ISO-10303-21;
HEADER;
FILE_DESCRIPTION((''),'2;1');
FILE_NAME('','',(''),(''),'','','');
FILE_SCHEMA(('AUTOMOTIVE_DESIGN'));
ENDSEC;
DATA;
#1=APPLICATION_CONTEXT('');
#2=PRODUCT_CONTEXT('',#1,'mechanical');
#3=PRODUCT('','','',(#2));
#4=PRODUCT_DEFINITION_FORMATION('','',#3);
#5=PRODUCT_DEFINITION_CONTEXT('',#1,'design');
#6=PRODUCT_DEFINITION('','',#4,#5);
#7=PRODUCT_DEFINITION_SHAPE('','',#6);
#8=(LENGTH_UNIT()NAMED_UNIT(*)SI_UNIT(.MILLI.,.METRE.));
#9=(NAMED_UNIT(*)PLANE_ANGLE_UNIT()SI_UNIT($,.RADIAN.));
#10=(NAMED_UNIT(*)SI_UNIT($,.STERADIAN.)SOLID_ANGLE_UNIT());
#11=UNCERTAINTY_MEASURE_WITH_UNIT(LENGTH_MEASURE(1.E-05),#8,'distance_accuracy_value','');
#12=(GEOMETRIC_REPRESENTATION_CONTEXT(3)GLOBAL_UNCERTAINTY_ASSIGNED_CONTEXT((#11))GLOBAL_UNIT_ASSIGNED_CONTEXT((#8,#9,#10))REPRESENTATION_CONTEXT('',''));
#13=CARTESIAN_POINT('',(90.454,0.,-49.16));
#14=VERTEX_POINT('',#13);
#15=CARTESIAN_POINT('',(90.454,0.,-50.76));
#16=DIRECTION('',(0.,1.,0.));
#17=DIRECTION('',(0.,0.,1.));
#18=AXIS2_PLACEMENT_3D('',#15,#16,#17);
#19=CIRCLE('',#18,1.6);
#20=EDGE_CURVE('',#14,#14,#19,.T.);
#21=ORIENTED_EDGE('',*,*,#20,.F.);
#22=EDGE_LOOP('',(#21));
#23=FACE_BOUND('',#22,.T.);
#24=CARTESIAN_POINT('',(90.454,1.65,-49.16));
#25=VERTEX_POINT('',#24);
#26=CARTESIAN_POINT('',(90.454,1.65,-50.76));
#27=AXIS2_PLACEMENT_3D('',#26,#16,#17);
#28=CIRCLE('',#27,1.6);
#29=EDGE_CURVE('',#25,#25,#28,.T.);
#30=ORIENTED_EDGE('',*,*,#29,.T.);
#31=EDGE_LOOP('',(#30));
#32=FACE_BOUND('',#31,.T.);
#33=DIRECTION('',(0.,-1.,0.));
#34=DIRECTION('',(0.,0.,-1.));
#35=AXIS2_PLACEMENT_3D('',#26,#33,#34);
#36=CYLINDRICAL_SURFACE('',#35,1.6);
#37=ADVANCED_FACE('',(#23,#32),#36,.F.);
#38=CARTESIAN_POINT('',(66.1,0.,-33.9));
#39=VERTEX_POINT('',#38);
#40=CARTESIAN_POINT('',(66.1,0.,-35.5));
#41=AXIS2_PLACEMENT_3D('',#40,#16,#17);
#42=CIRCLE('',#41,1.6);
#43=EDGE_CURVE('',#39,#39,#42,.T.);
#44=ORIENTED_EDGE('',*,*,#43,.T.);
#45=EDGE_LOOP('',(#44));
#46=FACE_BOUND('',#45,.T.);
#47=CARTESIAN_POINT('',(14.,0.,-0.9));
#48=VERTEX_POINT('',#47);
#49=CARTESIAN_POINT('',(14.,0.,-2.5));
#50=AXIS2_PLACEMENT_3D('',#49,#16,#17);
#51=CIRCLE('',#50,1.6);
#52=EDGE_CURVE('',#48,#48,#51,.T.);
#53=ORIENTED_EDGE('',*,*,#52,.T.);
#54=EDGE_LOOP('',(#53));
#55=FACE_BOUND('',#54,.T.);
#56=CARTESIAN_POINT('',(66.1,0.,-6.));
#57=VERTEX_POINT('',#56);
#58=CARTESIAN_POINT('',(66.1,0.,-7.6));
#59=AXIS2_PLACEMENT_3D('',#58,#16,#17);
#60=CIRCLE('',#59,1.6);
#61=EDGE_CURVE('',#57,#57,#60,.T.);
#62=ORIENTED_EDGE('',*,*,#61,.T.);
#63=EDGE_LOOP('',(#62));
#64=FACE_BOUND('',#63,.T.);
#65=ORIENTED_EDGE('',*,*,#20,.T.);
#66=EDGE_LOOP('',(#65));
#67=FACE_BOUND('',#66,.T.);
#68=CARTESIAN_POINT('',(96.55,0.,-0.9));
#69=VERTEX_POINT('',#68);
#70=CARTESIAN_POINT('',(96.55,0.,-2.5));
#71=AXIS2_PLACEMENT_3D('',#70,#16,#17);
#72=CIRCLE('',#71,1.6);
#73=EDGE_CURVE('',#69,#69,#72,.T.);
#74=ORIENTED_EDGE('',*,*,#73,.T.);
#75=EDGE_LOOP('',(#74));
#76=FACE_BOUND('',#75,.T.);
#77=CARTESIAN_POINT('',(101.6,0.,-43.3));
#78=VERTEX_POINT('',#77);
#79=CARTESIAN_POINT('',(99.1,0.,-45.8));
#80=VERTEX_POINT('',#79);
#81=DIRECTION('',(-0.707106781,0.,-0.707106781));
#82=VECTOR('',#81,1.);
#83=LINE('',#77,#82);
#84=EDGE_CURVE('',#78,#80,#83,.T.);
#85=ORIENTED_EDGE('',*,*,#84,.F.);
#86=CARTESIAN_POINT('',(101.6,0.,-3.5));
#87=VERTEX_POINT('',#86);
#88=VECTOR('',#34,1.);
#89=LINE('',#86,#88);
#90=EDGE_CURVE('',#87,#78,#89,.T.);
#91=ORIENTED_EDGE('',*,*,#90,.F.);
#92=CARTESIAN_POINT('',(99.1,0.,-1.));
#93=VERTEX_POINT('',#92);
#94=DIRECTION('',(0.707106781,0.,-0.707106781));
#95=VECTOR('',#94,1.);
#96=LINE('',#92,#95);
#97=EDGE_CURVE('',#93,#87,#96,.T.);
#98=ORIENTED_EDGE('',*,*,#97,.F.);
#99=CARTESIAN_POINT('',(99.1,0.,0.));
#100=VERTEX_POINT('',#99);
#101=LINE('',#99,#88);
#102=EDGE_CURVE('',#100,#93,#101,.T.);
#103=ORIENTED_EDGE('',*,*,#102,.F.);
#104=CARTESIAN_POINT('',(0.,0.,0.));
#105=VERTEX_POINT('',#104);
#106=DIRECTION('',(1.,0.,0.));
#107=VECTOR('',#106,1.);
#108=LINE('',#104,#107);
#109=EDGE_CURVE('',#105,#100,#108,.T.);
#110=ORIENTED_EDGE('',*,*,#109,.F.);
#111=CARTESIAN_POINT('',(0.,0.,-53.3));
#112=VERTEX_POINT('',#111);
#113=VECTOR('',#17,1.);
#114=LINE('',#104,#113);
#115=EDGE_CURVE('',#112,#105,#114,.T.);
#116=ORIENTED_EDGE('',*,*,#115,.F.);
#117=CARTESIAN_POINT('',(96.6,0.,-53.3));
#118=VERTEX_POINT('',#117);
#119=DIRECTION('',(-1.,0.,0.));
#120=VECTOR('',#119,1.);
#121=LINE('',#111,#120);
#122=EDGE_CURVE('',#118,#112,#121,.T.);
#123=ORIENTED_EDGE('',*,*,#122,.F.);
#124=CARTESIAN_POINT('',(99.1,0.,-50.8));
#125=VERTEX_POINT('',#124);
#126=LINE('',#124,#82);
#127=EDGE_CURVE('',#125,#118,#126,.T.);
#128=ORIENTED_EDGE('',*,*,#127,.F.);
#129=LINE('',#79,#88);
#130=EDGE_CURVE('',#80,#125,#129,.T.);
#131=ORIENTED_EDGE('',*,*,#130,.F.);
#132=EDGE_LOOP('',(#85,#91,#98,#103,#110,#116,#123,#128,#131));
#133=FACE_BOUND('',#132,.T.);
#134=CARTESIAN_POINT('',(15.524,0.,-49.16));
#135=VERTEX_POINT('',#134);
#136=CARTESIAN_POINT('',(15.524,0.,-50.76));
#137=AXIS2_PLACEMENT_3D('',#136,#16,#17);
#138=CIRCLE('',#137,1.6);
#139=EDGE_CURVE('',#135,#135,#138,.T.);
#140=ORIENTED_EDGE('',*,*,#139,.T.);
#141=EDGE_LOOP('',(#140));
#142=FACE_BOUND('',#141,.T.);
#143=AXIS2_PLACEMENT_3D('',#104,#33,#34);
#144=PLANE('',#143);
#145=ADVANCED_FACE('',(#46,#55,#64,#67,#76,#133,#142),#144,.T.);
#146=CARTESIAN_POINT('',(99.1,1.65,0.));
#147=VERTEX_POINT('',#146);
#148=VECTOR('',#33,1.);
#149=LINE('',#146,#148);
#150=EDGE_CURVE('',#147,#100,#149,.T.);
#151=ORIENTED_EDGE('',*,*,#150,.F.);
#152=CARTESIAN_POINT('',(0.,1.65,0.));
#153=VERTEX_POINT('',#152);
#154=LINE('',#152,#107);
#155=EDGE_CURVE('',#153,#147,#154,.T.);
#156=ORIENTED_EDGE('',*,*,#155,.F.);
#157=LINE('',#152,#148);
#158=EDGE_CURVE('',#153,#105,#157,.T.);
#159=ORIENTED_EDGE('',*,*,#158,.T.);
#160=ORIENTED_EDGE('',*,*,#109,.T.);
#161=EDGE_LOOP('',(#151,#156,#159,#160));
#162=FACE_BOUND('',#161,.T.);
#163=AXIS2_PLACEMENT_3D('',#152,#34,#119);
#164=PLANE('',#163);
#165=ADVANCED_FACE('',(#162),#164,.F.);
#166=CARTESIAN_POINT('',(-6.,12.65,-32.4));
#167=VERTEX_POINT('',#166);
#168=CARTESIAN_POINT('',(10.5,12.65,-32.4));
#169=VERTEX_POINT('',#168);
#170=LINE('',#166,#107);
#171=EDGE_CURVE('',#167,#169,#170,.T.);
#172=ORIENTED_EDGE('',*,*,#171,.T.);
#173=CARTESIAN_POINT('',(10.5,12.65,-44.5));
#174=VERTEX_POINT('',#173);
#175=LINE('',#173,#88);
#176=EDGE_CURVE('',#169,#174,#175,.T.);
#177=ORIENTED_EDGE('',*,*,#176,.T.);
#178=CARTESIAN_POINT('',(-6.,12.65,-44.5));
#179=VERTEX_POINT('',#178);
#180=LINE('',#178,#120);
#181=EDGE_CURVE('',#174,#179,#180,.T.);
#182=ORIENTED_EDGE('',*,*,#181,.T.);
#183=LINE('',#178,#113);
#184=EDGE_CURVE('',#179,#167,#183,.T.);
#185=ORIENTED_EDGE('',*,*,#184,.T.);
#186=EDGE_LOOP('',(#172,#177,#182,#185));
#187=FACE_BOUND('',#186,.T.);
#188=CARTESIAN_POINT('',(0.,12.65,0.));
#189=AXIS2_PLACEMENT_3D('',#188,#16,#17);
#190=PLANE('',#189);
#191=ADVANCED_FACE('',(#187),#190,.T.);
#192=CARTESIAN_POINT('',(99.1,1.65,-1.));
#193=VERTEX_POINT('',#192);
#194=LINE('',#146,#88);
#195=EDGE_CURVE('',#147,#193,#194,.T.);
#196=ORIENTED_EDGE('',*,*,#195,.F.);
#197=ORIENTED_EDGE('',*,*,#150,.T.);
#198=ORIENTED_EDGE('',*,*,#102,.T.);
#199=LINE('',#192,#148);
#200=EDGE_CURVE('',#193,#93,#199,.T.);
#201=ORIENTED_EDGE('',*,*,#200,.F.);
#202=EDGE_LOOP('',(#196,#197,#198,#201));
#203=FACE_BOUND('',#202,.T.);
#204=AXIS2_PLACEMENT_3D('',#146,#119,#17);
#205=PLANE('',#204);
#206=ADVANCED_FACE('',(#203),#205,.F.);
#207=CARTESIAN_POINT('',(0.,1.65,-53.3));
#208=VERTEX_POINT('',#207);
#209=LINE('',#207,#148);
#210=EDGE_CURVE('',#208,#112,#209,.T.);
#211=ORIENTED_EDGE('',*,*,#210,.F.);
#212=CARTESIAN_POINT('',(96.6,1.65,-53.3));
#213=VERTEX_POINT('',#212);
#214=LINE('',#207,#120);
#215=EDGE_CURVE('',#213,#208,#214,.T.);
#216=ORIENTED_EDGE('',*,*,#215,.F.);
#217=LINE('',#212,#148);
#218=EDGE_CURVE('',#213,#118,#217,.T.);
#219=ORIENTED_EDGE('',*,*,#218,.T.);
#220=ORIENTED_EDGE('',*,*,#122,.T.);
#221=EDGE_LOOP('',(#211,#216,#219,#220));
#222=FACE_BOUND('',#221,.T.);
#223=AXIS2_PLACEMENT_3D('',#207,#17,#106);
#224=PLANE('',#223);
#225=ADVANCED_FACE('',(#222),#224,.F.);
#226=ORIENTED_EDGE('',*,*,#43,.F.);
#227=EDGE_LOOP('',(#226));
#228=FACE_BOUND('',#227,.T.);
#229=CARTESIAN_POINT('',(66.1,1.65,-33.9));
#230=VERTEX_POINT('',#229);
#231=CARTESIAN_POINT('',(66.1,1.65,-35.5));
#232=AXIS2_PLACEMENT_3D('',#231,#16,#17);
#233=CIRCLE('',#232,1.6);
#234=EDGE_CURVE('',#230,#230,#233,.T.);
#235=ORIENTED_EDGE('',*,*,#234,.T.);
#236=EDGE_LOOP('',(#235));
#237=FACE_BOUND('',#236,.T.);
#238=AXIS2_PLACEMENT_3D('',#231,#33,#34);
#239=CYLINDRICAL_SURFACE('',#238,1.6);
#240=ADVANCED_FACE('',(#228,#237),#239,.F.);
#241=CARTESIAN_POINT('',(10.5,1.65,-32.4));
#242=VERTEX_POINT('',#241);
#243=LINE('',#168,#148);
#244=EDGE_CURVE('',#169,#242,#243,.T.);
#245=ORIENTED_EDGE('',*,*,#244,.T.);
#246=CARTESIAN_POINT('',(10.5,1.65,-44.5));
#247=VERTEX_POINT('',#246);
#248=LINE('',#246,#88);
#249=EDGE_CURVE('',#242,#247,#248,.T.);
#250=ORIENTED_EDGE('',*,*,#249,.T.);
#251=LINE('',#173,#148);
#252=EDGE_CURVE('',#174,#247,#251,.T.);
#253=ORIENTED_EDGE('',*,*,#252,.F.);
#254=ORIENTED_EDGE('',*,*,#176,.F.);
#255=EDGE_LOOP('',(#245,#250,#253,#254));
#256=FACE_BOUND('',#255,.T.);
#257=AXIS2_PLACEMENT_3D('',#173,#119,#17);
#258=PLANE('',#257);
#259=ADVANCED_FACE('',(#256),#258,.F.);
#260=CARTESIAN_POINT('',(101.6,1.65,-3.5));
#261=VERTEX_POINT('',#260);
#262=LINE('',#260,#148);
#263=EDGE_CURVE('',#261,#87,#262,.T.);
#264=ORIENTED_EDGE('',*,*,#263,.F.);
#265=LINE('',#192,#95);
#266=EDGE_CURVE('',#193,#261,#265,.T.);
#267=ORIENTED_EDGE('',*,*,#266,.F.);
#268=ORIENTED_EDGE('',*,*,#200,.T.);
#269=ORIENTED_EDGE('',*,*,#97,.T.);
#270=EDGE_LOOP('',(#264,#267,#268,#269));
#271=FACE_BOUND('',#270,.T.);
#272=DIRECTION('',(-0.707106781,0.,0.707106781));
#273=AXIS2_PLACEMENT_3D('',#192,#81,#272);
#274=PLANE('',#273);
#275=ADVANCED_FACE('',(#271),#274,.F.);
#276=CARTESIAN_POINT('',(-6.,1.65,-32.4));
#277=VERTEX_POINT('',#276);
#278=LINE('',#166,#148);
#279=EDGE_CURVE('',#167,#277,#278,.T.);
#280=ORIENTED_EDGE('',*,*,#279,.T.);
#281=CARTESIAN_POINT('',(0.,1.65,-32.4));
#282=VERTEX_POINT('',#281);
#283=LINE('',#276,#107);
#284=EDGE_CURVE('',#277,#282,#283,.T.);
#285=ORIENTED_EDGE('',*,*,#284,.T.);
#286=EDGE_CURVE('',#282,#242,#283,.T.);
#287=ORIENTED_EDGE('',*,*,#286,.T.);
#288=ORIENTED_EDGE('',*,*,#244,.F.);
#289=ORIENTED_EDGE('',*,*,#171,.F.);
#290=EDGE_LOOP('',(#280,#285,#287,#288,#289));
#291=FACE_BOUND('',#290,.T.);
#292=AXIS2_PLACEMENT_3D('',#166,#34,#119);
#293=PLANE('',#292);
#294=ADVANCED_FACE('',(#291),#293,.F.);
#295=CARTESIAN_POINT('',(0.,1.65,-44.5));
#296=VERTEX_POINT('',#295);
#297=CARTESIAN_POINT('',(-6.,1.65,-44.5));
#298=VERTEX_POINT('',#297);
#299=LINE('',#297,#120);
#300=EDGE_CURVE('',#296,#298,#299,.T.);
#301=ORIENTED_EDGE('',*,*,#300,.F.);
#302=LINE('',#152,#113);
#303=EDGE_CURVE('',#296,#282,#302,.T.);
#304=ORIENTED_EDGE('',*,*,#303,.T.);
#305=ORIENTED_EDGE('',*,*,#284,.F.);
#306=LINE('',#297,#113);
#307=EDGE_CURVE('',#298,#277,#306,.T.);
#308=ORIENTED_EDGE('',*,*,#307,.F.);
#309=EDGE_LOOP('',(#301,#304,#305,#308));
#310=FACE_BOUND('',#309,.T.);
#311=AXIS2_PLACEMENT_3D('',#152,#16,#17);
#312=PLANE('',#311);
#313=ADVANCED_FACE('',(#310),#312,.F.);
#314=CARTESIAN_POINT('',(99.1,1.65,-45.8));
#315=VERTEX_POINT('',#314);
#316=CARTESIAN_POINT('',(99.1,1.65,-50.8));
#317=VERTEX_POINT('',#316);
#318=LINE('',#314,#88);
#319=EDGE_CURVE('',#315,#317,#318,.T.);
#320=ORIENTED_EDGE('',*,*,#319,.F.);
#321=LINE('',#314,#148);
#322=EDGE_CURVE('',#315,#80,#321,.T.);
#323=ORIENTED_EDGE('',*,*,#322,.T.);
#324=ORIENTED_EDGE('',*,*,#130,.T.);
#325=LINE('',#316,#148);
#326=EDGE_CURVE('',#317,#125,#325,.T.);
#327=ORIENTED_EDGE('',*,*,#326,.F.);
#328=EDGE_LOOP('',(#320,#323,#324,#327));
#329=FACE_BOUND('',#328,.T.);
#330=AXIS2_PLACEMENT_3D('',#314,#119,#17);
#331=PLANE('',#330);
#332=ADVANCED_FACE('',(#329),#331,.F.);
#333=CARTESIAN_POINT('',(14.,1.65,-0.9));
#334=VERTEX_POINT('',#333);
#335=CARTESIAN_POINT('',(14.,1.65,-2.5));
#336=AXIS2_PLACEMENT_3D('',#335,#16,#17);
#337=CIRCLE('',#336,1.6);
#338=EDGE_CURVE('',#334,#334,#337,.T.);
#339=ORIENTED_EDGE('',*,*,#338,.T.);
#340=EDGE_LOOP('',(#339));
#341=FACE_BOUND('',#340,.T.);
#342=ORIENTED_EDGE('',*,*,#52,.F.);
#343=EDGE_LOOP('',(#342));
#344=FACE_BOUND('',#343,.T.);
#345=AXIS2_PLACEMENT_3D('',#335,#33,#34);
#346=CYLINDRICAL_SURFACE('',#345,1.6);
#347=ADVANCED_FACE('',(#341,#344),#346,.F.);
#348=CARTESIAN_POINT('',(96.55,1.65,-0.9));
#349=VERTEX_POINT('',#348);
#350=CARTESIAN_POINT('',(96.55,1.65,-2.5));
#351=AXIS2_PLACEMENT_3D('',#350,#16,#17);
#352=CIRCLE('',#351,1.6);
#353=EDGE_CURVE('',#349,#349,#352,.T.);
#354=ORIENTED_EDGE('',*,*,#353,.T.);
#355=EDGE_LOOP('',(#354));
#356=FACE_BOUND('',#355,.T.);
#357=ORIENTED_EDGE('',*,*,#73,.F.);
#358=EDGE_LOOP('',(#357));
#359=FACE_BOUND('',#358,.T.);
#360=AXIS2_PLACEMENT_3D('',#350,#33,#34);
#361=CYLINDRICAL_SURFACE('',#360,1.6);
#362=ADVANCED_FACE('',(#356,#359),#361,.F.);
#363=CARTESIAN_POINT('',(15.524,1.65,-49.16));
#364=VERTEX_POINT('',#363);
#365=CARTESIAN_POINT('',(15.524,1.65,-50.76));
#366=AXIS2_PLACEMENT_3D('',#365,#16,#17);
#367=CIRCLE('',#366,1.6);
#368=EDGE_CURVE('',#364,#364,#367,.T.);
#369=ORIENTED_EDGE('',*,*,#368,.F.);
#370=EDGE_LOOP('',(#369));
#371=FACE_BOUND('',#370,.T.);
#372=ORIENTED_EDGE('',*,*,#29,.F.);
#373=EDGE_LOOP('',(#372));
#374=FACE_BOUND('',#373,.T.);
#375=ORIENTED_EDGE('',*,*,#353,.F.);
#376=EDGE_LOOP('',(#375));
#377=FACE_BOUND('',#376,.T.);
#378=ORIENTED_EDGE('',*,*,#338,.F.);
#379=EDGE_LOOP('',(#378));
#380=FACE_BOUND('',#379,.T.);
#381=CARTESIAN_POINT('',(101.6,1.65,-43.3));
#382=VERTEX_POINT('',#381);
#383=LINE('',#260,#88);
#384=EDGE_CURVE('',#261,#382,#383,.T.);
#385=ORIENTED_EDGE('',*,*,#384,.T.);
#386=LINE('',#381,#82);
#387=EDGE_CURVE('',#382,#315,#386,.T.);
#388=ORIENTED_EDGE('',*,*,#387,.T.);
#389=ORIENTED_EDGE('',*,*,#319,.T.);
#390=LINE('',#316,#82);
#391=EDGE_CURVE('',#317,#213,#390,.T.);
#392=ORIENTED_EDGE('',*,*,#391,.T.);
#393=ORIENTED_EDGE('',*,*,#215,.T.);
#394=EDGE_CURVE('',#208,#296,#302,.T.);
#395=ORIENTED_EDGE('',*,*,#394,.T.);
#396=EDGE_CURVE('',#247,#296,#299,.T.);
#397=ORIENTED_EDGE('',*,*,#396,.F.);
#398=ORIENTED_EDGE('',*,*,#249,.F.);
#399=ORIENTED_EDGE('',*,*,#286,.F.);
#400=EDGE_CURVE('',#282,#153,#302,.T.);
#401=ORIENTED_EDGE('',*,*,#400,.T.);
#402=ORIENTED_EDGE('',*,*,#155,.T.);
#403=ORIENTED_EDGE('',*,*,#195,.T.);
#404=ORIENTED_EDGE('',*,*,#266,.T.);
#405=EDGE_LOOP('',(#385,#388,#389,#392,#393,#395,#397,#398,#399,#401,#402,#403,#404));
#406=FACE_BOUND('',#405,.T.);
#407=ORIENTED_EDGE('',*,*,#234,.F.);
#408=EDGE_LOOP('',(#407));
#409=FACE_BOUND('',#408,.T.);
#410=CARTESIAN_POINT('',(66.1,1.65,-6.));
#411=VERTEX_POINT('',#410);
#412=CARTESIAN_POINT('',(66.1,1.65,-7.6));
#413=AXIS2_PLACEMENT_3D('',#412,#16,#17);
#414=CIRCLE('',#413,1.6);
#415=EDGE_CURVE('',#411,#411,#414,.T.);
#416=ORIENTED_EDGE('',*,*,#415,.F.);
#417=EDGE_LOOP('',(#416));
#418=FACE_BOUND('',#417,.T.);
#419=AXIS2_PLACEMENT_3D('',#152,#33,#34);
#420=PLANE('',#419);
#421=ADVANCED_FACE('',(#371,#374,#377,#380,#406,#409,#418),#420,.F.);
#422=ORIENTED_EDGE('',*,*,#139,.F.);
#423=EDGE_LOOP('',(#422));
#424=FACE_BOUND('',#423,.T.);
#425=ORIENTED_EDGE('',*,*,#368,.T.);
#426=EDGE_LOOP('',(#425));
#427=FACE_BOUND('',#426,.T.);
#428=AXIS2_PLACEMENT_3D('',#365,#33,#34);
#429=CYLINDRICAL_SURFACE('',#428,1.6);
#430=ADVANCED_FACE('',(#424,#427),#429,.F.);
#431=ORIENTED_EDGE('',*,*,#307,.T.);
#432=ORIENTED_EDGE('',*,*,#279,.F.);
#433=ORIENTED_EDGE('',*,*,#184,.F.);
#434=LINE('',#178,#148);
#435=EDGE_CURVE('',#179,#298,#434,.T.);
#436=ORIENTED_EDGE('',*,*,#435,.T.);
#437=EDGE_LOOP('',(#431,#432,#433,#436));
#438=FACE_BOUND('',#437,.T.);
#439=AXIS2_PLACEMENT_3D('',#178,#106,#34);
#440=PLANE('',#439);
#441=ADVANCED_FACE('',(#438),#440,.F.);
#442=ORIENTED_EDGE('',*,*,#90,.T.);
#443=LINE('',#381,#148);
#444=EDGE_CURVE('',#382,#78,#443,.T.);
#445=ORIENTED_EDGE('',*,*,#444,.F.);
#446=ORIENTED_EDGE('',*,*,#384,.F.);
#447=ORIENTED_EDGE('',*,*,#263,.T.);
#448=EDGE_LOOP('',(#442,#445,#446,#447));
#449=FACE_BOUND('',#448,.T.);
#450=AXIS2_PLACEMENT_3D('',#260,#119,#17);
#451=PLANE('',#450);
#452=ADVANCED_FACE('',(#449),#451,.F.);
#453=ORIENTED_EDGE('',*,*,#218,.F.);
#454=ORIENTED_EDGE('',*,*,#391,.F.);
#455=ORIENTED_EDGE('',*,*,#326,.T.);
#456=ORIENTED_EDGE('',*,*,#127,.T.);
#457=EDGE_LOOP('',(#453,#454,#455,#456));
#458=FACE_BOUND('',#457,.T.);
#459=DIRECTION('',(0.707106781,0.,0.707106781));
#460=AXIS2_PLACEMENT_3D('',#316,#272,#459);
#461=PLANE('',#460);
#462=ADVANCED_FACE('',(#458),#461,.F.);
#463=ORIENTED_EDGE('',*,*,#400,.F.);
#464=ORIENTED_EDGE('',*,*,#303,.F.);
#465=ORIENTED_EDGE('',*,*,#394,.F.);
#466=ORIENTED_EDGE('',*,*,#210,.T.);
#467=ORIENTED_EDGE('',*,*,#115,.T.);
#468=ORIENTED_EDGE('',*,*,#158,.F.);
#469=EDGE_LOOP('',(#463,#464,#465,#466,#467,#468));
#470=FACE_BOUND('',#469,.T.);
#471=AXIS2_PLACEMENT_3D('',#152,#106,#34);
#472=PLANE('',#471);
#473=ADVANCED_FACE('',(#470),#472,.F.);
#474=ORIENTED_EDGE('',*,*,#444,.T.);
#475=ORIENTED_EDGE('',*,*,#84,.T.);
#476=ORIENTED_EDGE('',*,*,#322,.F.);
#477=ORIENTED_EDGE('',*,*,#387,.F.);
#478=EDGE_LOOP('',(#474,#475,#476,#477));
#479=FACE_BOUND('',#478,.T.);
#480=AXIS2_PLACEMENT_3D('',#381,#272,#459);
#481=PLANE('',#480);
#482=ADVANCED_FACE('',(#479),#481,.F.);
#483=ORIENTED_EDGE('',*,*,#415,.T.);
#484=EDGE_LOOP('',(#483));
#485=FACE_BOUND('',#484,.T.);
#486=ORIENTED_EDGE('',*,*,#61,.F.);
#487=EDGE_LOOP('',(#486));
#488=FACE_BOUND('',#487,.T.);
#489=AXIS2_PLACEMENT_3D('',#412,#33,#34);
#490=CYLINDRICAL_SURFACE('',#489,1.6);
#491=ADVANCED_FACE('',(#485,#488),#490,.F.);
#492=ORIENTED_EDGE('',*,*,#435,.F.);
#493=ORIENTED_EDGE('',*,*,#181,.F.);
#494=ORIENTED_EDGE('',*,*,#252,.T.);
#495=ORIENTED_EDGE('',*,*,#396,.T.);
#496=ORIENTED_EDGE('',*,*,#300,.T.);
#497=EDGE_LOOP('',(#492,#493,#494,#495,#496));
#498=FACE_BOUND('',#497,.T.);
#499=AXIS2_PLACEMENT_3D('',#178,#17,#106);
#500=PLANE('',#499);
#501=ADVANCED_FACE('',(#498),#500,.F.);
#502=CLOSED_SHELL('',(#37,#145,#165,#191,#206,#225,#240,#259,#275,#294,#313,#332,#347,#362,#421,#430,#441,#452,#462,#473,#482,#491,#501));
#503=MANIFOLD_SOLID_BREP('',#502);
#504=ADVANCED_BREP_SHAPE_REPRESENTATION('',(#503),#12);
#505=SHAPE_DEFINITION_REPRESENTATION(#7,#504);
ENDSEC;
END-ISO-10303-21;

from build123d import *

# Parameters (mm, degrees)
SKETCH1_R           = 1.6
BOSS_EXTRUDE1_DEPTH = 1.65
SKETCH2_W           = 16.5
SKETCH2_H           = 12.1
BOSS_EXTRUDE2_DEPTH = 11


with BuildPart() as part:
    # Sketch1 → Boss-Extrude1 (new body)
    with BuildSketch(Plane(origin=(0, 0, 0), x_dir=(1, 0, 0), z_dir=(0, 1, 0))):
        Polygon((99.1, 0), (99.1, 1), (101.6, 3.5), (101.6, 43.3), (99.1, 45.8), (99.1, 50.8), (96.6, 53.3), (0, 53.3), (0, 0), align=None)
        with Locations((15.524, 50.76)):
            Circle(SKETCH1_R, mode=Mode.SUBTRACT)
        with Locations((14, 2.5)):
            Circle(SKETCH1_R, mode=Mode.SUBTRACT)
        with Locations((96.55, 2.5)):
            Circle(SKETCH1_R, mode=Mode.SUBTRACT)
        with Locations((90.454, 50.76)):
            Circle(SKETCH1_R, mode=Mode.SUBTRACT)
        with Locations((66.1, 35.5)):
            Circle(SKETCH1_R, mode=Mode.SUBTRACT)
        with Locations((66.1, 7.6)):
            Circle(SKETCH1_R, mode=Mode.SUBTRACT)
    extrude(amount=BOSS_EXTRUDE1_DEPTH)

    # Sketch2 → Boss-Extrude2 (add)
    with BuildSketch(Plane(origin=(0, 1.65, 0), x_dir=(1, 0, 0), z_dir=(0, 1, 0))):
        with Locations((2.25, 38.45)):
            Rectangle(SKETCH2_W, SKETCH2_H)
    extrude(amount=BOSS_EXTRUDE2_DEPTH)


solid = part.part
